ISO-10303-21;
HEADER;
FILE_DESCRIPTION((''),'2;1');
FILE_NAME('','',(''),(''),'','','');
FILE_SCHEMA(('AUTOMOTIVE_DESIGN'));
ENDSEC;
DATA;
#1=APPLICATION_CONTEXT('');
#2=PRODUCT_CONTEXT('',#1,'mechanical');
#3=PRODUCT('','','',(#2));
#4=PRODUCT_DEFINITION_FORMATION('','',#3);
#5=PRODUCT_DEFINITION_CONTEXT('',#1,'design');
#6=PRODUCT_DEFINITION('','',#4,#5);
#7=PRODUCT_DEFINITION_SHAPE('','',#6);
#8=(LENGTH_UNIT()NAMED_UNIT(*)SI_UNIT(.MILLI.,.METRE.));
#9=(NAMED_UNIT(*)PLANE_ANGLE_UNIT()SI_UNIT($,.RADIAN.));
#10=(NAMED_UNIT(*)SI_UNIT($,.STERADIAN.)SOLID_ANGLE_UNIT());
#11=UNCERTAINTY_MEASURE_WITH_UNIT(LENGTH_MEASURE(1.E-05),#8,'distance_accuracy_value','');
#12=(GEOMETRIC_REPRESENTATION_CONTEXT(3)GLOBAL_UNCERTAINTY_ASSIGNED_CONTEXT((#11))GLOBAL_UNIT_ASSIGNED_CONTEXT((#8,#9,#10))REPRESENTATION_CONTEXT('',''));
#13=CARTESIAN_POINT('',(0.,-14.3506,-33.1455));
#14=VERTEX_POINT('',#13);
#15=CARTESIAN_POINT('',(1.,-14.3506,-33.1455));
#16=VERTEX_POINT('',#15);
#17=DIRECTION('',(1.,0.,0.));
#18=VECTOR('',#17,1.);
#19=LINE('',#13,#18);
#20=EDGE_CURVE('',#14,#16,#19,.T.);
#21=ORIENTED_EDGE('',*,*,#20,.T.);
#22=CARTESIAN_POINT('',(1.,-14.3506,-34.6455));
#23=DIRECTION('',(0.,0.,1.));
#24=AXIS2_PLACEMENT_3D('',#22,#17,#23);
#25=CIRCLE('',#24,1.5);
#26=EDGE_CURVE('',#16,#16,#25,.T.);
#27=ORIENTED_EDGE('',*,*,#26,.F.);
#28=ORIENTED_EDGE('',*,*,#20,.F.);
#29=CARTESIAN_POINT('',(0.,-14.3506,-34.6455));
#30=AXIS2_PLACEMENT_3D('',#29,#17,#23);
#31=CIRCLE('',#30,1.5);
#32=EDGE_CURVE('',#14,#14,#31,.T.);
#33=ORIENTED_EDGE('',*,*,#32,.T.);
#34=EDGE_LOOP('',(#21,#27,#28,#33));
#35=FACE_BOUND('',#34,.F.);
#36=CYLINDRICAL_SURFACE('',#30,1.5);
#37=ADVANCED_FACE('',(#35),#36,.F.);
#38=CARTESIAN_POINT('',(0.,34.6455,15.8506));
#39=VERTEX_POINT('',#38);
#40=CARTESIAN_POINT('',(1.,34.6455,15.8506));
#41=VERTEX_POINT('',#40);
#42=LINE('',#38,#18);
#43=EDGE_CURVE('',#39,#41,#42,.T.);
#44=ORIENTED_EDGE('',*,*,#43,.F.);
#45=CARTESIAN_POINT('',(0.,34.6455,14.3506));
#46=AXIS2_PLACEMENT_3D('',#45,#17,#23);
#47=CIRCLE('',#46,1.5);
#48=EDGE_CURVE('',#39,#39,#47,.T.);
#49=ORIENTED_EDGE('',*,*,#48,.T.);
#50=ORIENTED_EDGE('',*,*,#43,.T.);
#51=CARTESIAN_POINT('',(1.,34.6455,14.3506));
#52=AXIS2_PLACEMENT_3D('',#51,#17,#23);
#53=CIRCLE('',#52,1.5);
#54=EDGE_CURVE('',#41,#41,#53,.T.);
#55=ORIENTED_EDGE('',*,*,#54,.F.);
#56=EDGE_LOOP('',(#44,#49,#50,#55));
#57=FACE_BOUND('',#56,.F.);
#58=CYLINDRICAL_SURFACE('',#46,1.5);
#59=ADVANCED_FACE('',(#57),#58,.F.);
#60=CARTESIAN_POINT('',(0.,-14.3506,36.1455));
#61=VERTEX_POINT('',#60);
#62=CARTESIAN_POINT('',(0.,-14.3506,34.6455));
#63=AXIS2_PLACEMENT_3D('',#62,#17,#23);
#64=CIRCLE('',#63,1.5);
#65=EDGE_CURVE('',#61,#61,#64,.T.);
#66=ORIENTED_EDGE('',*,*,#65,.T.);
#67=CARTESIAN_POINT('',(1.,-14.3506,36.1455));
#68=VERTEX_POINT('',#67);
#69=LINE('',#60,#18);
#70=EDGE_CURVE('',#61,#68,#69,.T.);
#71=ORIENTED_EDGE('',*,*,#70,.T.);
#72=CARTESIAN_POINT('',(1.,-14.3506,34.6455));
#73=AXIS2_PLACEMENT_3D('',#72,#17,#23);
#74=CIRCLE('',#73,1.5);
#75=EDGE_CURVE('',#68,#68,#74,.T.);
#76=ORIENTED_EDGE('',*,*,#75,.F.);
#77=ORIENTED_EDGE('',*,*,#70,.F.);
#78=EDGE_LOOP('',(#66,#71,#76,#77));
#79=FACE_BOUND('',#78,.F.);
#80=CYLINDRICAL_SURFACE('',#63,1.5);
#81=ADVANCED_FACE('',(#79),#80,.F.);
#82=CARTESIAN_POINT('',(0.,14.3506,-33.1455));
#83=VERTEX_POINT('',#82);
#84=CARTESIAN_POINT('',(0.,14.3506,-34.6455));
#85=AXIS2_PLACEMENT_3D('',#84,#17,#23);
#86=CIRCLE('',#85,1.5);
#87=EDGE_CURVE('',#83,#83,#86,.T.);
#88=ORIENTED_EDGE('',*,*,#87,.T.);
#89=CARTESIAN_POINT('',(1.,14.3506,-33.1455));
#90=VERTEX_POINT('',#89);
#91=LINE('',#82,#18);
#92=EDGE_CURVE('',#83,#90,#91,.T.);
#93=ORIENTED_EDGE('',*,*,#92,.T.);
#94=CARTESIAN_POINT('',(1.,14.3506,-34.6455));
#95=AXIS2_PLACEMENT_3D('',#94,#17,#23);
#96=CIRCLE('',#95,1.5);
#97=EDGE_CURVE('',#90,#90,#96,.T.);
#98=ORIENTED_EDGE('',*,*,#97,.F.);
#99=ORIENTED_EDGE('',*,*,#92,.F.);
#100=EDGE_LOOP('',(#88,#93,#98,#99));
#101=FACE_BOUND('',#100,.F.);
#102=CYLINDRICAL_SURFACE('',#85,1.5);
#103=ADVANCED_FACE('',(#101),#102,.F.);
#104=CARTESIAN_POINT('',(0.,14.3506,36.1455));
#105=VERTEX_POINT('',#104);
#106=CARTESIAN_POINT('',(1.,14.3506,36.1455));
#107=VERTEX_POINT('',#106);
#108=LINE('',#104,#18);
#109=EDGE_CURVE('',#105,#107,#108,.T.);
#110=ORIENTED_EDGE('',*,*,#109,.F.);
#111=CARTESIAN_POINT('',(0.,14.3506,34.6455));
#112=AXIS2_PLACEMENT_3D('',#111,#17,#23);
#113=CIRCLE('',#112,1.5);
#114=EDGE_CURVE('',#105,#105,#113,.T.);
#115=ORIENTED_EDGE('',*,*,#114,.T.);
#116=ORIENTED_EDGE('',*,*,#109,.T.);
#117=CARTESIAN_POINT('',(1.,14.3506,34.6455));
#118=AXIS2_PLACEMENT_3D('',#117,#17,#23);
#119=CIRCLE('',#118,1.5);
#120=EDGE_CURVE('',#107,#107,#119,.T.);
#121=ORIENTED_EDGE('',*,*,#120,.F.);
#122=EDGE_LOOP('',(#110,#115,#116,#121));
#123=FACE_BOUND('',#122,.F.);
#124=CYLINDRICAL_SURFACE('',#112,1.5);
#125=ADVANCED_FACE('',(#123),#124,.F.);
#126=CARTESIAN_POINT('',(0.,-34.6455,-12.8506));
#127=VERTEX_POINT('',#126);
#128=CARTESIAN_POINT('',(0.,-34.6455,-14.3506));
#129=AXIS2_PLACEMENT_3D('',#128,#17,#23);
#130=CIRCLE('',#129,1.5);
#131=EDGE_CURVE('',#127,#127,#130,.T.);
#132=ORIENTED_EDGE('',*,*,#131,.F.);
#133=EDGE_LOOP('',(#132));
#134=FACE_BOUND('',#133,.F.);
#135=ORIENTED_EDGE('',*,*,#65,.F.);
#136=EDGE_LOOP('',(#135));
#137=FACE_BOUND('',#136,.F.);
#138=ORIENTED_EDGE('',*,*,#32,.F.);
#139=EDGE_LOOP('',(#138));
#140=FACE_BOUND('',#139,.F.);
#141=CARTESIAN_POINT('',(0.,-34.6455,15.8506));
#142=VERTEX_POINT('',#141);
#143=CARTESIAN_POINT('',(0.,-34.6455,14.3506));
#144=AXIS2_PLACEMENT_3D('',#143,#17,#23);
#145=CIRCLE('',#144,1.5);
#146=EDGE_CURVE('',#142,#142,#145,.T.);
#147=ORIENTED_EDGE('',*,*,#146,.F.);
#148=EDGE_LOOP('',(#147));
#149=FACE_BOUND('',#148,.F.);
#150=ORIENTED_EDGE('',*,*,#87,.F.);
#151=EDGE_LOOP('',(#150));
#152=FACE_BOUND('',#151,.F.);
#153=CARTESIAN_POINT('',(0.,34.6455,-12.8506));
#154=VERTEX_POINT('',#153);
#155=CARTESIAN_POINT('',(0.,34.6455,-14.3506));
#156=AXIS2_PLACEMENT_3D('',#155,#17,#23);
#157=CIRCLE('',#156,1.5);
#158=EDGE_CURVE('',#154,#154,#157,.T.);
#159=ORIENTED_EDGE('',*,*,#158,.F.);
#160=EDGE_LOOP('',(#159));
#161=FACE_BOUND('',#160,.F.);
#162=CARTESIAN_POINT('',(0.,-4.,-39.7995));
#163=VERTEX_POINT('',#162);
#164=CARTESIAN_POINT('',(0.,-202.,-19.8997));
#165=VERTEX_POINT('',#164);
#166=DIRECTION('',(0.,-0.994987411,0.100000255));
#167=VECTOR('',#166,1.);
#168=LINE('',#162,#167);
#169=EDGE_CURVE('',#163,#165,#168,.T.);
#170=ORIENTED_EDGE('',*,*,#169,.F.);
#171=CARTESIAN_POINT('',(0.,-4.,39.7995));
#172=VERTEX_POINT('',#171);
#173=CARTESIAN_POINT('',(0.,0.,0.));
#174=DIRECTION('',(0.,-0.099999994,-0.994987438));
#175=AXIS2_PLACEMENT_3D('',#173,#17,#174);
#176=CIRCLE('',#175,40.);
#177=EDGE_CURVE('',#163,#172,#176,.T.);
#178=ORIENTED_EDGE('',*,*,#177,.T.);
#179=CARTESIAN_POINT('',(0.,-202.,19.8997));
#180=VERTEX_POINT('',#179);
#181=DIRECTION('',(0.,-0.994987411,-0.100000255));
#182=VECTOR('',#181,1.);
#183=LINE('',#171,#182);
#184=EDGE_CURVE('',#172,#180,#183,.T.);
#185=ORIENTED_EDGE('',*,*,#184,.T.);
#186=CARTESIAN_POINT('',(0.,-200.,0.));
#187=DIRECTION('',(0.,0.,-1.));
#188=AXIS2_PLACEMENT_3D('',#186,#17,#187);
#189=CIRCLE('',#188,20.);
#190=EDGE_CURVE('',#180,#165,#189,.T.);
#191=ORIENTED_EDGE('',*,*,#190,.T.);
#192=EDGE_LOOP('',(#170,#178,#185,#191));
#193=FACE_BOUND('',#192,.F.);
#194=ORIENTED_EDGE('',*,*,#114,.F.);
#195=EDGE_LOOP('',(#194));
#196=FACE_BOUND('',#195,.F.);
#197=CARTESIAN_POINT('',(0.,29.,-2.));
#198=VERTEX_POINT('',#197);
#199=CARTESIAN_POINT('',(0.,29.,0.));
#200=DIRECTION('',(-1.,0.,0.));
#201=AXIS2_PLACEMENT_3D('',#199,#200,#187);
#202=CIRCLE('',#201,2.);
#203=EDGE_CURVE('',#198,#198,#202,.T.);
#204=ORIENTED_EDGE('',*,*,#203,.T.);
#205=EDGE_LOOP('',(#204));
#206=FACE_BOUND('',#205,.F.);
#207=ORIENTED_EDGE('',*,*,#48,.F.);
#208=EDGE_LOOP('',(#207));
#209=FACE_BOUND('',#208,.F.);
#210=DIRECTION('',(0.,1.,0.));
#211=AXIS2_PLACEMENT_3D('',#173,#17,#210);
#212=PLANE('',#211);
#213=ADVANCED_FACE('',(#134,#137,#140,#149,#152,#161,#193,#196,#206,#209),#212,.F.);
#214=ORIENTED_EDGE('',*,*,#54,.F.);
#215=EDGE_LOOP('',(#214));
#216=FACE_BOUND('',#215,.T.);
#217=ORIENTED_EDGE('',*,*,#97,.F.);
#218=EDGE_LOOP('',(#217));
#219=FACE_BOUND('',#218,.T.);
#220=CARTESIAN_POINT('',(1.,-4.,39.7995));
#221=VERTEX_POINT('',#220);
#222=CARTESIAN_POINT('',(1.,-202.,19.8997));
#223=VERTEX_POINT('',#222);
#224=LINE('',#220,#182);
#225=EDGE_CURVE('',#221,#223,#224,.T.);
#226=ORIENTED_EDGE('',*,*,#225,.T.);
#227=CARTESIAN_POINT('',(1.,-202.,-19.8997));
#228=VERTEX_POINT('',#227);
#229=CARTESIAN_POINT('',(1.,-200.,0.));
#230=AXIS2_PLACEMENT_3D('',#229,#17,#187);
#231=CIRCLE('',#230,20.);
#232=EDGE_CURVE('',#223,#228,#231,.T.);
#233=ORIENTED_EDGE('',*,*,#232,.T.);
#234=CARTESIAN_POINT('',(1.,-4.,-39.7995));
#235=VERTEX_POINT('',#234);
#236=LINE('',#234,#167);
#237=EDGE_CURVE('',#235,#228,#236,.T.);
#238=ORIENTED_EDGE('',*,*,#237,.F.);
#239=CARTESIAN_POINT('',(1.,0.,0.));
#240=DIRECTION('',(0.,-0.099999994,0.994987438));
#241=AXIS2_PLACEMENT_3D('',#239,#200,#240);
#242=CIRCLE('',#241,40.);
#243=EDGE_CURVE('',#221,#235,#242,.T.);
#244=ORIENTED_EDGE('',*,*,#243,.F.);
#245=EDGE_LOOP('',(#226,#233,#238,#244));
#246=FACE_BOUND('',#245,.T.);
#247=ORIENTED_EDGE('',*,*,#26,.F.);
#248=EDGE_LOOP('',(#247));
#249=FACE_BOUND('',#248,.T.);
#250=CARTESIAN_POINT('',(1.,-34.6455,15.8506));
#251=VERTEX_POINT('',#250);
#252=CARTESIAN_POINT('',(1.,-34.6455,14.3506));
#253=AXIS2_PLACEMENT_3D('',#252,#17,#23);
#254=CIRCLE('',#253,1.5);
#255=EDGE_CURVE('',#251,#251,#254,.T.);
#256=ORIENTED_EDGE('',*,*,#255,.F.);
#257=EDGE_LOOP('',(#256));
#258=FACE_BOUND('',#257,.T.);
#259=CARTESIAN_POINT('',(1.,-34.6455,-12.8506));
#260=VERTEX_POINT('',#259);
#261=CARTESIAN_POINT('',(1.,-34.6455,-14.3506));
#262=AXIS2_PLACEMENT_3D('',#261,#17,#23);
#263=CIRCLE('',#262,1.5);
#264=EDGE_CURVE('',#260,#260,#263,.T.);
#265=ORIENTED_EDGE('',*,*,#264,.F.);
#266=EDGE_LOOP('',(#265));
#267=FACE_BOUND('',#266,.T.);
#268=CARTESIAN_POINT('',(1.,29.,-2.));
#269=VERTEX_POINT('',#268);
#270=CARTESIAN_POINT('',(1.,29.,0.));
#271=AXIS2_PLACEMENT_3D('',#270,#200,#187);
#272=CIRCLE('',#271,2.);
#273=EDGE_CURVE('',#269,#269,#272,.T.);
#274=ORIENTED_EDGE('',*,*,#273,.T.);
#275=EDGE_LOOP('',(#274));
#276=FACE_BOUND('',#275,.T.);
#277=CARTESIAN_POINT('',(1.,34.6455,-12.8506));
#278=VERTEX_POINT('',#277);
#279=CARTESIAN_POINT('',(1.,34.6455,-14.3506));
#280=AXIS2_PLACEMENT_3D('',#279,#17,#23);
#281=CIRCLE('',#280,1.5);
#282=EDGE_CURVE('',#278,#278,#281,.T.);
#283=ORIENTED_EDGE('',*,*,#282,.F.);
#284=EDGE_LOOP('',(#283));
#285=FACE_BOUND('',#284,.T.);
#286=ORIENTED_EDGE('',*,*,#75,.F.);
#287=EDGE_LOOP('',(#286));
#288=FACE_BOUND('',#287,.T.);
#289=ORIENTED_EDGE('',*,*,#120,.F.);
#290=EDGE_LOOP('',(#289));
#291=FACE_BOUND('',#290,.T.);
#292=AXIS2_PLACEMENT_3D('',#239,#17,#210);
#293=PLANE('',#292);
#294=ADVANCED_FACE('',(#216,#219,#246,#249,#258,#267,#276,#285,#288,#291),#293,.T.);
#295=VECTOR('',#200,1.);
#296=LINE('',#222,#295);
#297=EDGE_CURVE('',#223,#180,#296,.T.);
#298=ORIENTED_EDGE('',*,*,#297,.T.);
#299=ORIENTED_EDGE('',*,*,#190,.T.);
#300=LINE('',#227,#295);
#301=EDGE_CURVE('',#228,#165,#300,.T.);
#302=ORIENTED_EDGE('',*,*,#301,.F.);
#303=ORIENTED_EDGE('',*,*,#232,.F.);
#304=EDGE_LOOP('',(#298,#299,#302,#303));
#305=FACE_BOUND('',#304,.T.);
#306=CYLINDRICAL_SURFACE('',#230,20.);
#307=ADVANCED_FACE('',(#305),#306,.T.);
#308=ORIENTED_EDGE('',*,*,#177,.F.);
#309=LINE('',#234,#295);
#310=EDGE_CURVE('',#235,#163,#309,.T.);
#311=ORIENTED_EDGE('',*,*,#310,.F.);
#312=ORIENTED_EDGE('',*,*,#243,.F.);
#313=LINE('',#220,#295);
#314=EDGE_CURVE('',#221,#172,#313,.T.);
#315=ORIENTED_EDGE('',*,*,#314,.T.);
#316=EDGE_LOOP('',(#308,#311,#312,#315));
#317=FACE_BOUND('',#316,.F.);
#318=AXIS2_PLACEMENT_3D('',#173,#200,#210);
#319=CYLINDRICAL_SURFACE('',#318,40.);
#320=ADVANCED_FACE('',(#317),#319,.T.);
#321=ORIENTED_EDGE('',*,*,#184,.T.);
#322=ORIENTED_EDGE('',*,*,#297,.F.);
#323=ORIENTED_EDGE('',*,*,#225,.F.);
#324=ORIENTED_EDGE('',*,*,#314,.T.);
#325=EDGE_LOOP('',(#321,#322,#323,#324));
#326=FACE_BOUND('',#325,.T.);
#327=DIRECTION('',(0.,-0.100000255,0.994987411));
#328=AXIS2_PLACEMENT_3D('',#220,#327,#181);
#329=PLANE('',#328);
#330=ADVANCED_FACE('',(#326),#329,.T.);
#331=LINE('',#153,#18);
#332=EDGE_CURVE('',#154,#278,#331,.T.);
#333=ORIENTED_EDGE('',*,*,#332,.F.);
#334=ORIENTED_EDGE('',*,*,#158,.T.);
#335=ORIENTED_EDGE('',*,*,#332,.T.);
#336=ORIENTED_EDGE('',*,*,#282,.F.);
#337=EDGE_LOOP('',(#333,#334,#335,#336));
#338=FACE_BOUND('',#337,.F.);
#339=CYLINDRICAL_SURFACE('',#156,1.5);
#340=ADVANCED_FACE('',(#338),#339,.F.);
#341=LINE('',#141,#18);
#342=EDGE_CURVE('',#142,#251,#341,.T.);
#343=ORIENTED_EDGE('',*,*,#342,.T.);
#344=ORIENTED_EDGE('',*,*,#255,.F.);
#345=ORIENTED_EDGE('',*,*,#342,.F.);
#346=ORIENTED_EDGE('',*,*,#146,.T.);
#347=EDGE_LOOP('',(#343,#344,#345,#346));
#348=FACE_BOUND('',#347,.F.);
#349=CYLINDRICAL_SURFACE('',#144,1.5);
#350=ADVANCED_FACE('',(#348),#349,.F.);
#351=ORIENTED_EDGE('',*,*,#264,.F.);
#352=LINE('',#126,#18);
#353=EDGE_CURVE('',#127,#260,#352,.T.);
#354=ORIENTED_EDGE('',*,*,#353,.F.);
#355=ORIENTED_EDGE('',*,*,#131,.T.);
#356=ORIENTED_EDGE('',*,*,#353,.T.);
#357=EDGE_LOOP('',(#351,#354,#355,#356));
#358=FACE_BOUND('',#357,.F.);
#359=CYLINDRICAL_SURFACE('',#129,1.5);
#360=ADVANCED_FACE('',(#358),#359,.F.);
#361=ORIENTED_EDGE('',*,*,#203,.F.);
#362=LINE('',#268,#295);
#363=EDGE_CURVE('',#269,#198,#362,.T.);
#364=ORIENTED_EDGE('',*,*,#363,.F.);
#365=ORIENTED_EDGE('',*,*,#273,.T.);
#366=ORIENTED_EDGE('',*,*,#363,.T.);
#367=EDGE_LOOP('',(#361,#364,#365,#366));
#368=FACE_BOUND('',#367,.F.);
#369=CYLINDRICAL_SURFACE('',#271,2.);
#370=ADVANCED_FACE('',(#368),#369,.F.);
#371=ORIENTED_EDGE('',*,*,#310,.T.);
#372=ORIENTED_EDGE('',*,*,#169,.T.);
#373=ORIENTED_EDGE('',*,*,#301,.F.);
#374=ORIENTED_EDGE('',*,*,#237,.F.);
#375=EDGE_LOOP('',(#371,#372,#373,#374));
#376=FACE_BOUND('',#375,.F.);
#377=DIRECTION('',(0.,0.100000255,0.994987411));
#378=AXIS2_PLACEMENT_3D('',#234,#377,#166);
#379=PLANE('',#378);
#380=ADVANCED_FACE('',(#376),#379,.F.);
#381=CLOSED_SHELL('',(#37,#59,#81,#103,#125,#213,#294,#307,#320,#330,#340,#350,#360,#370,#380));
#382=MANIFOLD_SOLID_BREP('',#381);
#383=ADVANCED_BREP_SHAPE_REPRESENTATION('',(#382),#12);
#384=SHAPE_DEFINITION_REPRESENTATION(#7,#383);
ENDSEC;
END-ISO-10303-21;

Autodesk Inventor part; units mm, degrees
ref_plane "YZ Plane" through (0, 0, 0) normal (1, 0, 0) x (0, 1, 0)
ref_plane "XZ Plane" through (0, 0, 0) normal (0, 1, 0) x (-1, 0, 0)
ref_plane "XY Plane" through (0, 0, 0) normal (0, 0, 1) x (1, 0, 0)
sketch "スケッチ1" plane through (0, 0, 0) normal (1, 0, 0) x (0, 1, 0)
  circle A0 centre (0, 0) radius 40
  dimension "d0" = 80
extrude "押し出し1" add sketch "スケッチ1" along normal blind 1
sketch "スケッチ2" plane through (1, 0, 0) normal (1, 0, 0) x (0, 0, -1)
  point P0 (0, 0)
  point P1 (0, 29)
  dimension "d3" = 29
hole "穴1" at (1, 29, 0) direction (-1, 0, 0) diameter 4 end through all
sketch "スケッチ4" plane through (1, 0, 0) normal (1, 0, 0) x (0, 0, -1)
  circle A0 centre (0, -200) radius 20
  circle A1 centre (0, 0) radius 40 projected
  line L0 (-39.7995, -4) -> (-19.8997, -202)
  line L1 (39.7995, -4) -> (19.8997, -202)
  circle A2 centre (0, 0) radius 40 projected
  dimension "d13" = 40
  dimension "d14" = 200
extrude "押し出し2" add sketch "スケッチ4" against normal blind 1 contours A0 | A0 L0 A1 L1
sketch "スケッチ5" plane through (0, 0, 0) normal (-1, 0, 0) x (0, 0, 1)
  line L0 (-14.3506, 34.6455) -> (14.3506, 34.6455)
  line L1 (14.3506, 34.6455) -> (34.6455, 14.3506)
  line L2 (34.6455, 14.3506) -> (34.6455, -14.3506)
  line L3 (34.6455, -14.3506) -> (14.3506, -34.6455)
  line L4 (14.3506, -34.6455) -> (-14.3506, -34.6455)
  line L5 (-14.3506, -34.6455) -> (-34.6455, -14.3506)
  line L6 (-34.6455, -14.3506) -> (-34.6455, 14.3506)
  line L7 (-34.6455, 14.3506) -> (-14.3506, 34.6455)
  circle A0 centre (0, 29) radius 2 projected
  line L8 (0, 0) -> (0, 29)
  dimension "d17" = 37.5
hole "穴2" at (0, 34.6455, -14.3506) at (0, 14.3506, -34.6455) at (0, -14.3506, -34.6455) at (0, -34.6455, -14.3506) at (0, -34.6455, 14.3506) at (0, -14.3506, 34.6455) at (0, 14.3506, 34.6455) at (0, 34.6455, 14.3506) direction (1, 0, 0) diameter 3 end through all
properties part number "main_plate"
